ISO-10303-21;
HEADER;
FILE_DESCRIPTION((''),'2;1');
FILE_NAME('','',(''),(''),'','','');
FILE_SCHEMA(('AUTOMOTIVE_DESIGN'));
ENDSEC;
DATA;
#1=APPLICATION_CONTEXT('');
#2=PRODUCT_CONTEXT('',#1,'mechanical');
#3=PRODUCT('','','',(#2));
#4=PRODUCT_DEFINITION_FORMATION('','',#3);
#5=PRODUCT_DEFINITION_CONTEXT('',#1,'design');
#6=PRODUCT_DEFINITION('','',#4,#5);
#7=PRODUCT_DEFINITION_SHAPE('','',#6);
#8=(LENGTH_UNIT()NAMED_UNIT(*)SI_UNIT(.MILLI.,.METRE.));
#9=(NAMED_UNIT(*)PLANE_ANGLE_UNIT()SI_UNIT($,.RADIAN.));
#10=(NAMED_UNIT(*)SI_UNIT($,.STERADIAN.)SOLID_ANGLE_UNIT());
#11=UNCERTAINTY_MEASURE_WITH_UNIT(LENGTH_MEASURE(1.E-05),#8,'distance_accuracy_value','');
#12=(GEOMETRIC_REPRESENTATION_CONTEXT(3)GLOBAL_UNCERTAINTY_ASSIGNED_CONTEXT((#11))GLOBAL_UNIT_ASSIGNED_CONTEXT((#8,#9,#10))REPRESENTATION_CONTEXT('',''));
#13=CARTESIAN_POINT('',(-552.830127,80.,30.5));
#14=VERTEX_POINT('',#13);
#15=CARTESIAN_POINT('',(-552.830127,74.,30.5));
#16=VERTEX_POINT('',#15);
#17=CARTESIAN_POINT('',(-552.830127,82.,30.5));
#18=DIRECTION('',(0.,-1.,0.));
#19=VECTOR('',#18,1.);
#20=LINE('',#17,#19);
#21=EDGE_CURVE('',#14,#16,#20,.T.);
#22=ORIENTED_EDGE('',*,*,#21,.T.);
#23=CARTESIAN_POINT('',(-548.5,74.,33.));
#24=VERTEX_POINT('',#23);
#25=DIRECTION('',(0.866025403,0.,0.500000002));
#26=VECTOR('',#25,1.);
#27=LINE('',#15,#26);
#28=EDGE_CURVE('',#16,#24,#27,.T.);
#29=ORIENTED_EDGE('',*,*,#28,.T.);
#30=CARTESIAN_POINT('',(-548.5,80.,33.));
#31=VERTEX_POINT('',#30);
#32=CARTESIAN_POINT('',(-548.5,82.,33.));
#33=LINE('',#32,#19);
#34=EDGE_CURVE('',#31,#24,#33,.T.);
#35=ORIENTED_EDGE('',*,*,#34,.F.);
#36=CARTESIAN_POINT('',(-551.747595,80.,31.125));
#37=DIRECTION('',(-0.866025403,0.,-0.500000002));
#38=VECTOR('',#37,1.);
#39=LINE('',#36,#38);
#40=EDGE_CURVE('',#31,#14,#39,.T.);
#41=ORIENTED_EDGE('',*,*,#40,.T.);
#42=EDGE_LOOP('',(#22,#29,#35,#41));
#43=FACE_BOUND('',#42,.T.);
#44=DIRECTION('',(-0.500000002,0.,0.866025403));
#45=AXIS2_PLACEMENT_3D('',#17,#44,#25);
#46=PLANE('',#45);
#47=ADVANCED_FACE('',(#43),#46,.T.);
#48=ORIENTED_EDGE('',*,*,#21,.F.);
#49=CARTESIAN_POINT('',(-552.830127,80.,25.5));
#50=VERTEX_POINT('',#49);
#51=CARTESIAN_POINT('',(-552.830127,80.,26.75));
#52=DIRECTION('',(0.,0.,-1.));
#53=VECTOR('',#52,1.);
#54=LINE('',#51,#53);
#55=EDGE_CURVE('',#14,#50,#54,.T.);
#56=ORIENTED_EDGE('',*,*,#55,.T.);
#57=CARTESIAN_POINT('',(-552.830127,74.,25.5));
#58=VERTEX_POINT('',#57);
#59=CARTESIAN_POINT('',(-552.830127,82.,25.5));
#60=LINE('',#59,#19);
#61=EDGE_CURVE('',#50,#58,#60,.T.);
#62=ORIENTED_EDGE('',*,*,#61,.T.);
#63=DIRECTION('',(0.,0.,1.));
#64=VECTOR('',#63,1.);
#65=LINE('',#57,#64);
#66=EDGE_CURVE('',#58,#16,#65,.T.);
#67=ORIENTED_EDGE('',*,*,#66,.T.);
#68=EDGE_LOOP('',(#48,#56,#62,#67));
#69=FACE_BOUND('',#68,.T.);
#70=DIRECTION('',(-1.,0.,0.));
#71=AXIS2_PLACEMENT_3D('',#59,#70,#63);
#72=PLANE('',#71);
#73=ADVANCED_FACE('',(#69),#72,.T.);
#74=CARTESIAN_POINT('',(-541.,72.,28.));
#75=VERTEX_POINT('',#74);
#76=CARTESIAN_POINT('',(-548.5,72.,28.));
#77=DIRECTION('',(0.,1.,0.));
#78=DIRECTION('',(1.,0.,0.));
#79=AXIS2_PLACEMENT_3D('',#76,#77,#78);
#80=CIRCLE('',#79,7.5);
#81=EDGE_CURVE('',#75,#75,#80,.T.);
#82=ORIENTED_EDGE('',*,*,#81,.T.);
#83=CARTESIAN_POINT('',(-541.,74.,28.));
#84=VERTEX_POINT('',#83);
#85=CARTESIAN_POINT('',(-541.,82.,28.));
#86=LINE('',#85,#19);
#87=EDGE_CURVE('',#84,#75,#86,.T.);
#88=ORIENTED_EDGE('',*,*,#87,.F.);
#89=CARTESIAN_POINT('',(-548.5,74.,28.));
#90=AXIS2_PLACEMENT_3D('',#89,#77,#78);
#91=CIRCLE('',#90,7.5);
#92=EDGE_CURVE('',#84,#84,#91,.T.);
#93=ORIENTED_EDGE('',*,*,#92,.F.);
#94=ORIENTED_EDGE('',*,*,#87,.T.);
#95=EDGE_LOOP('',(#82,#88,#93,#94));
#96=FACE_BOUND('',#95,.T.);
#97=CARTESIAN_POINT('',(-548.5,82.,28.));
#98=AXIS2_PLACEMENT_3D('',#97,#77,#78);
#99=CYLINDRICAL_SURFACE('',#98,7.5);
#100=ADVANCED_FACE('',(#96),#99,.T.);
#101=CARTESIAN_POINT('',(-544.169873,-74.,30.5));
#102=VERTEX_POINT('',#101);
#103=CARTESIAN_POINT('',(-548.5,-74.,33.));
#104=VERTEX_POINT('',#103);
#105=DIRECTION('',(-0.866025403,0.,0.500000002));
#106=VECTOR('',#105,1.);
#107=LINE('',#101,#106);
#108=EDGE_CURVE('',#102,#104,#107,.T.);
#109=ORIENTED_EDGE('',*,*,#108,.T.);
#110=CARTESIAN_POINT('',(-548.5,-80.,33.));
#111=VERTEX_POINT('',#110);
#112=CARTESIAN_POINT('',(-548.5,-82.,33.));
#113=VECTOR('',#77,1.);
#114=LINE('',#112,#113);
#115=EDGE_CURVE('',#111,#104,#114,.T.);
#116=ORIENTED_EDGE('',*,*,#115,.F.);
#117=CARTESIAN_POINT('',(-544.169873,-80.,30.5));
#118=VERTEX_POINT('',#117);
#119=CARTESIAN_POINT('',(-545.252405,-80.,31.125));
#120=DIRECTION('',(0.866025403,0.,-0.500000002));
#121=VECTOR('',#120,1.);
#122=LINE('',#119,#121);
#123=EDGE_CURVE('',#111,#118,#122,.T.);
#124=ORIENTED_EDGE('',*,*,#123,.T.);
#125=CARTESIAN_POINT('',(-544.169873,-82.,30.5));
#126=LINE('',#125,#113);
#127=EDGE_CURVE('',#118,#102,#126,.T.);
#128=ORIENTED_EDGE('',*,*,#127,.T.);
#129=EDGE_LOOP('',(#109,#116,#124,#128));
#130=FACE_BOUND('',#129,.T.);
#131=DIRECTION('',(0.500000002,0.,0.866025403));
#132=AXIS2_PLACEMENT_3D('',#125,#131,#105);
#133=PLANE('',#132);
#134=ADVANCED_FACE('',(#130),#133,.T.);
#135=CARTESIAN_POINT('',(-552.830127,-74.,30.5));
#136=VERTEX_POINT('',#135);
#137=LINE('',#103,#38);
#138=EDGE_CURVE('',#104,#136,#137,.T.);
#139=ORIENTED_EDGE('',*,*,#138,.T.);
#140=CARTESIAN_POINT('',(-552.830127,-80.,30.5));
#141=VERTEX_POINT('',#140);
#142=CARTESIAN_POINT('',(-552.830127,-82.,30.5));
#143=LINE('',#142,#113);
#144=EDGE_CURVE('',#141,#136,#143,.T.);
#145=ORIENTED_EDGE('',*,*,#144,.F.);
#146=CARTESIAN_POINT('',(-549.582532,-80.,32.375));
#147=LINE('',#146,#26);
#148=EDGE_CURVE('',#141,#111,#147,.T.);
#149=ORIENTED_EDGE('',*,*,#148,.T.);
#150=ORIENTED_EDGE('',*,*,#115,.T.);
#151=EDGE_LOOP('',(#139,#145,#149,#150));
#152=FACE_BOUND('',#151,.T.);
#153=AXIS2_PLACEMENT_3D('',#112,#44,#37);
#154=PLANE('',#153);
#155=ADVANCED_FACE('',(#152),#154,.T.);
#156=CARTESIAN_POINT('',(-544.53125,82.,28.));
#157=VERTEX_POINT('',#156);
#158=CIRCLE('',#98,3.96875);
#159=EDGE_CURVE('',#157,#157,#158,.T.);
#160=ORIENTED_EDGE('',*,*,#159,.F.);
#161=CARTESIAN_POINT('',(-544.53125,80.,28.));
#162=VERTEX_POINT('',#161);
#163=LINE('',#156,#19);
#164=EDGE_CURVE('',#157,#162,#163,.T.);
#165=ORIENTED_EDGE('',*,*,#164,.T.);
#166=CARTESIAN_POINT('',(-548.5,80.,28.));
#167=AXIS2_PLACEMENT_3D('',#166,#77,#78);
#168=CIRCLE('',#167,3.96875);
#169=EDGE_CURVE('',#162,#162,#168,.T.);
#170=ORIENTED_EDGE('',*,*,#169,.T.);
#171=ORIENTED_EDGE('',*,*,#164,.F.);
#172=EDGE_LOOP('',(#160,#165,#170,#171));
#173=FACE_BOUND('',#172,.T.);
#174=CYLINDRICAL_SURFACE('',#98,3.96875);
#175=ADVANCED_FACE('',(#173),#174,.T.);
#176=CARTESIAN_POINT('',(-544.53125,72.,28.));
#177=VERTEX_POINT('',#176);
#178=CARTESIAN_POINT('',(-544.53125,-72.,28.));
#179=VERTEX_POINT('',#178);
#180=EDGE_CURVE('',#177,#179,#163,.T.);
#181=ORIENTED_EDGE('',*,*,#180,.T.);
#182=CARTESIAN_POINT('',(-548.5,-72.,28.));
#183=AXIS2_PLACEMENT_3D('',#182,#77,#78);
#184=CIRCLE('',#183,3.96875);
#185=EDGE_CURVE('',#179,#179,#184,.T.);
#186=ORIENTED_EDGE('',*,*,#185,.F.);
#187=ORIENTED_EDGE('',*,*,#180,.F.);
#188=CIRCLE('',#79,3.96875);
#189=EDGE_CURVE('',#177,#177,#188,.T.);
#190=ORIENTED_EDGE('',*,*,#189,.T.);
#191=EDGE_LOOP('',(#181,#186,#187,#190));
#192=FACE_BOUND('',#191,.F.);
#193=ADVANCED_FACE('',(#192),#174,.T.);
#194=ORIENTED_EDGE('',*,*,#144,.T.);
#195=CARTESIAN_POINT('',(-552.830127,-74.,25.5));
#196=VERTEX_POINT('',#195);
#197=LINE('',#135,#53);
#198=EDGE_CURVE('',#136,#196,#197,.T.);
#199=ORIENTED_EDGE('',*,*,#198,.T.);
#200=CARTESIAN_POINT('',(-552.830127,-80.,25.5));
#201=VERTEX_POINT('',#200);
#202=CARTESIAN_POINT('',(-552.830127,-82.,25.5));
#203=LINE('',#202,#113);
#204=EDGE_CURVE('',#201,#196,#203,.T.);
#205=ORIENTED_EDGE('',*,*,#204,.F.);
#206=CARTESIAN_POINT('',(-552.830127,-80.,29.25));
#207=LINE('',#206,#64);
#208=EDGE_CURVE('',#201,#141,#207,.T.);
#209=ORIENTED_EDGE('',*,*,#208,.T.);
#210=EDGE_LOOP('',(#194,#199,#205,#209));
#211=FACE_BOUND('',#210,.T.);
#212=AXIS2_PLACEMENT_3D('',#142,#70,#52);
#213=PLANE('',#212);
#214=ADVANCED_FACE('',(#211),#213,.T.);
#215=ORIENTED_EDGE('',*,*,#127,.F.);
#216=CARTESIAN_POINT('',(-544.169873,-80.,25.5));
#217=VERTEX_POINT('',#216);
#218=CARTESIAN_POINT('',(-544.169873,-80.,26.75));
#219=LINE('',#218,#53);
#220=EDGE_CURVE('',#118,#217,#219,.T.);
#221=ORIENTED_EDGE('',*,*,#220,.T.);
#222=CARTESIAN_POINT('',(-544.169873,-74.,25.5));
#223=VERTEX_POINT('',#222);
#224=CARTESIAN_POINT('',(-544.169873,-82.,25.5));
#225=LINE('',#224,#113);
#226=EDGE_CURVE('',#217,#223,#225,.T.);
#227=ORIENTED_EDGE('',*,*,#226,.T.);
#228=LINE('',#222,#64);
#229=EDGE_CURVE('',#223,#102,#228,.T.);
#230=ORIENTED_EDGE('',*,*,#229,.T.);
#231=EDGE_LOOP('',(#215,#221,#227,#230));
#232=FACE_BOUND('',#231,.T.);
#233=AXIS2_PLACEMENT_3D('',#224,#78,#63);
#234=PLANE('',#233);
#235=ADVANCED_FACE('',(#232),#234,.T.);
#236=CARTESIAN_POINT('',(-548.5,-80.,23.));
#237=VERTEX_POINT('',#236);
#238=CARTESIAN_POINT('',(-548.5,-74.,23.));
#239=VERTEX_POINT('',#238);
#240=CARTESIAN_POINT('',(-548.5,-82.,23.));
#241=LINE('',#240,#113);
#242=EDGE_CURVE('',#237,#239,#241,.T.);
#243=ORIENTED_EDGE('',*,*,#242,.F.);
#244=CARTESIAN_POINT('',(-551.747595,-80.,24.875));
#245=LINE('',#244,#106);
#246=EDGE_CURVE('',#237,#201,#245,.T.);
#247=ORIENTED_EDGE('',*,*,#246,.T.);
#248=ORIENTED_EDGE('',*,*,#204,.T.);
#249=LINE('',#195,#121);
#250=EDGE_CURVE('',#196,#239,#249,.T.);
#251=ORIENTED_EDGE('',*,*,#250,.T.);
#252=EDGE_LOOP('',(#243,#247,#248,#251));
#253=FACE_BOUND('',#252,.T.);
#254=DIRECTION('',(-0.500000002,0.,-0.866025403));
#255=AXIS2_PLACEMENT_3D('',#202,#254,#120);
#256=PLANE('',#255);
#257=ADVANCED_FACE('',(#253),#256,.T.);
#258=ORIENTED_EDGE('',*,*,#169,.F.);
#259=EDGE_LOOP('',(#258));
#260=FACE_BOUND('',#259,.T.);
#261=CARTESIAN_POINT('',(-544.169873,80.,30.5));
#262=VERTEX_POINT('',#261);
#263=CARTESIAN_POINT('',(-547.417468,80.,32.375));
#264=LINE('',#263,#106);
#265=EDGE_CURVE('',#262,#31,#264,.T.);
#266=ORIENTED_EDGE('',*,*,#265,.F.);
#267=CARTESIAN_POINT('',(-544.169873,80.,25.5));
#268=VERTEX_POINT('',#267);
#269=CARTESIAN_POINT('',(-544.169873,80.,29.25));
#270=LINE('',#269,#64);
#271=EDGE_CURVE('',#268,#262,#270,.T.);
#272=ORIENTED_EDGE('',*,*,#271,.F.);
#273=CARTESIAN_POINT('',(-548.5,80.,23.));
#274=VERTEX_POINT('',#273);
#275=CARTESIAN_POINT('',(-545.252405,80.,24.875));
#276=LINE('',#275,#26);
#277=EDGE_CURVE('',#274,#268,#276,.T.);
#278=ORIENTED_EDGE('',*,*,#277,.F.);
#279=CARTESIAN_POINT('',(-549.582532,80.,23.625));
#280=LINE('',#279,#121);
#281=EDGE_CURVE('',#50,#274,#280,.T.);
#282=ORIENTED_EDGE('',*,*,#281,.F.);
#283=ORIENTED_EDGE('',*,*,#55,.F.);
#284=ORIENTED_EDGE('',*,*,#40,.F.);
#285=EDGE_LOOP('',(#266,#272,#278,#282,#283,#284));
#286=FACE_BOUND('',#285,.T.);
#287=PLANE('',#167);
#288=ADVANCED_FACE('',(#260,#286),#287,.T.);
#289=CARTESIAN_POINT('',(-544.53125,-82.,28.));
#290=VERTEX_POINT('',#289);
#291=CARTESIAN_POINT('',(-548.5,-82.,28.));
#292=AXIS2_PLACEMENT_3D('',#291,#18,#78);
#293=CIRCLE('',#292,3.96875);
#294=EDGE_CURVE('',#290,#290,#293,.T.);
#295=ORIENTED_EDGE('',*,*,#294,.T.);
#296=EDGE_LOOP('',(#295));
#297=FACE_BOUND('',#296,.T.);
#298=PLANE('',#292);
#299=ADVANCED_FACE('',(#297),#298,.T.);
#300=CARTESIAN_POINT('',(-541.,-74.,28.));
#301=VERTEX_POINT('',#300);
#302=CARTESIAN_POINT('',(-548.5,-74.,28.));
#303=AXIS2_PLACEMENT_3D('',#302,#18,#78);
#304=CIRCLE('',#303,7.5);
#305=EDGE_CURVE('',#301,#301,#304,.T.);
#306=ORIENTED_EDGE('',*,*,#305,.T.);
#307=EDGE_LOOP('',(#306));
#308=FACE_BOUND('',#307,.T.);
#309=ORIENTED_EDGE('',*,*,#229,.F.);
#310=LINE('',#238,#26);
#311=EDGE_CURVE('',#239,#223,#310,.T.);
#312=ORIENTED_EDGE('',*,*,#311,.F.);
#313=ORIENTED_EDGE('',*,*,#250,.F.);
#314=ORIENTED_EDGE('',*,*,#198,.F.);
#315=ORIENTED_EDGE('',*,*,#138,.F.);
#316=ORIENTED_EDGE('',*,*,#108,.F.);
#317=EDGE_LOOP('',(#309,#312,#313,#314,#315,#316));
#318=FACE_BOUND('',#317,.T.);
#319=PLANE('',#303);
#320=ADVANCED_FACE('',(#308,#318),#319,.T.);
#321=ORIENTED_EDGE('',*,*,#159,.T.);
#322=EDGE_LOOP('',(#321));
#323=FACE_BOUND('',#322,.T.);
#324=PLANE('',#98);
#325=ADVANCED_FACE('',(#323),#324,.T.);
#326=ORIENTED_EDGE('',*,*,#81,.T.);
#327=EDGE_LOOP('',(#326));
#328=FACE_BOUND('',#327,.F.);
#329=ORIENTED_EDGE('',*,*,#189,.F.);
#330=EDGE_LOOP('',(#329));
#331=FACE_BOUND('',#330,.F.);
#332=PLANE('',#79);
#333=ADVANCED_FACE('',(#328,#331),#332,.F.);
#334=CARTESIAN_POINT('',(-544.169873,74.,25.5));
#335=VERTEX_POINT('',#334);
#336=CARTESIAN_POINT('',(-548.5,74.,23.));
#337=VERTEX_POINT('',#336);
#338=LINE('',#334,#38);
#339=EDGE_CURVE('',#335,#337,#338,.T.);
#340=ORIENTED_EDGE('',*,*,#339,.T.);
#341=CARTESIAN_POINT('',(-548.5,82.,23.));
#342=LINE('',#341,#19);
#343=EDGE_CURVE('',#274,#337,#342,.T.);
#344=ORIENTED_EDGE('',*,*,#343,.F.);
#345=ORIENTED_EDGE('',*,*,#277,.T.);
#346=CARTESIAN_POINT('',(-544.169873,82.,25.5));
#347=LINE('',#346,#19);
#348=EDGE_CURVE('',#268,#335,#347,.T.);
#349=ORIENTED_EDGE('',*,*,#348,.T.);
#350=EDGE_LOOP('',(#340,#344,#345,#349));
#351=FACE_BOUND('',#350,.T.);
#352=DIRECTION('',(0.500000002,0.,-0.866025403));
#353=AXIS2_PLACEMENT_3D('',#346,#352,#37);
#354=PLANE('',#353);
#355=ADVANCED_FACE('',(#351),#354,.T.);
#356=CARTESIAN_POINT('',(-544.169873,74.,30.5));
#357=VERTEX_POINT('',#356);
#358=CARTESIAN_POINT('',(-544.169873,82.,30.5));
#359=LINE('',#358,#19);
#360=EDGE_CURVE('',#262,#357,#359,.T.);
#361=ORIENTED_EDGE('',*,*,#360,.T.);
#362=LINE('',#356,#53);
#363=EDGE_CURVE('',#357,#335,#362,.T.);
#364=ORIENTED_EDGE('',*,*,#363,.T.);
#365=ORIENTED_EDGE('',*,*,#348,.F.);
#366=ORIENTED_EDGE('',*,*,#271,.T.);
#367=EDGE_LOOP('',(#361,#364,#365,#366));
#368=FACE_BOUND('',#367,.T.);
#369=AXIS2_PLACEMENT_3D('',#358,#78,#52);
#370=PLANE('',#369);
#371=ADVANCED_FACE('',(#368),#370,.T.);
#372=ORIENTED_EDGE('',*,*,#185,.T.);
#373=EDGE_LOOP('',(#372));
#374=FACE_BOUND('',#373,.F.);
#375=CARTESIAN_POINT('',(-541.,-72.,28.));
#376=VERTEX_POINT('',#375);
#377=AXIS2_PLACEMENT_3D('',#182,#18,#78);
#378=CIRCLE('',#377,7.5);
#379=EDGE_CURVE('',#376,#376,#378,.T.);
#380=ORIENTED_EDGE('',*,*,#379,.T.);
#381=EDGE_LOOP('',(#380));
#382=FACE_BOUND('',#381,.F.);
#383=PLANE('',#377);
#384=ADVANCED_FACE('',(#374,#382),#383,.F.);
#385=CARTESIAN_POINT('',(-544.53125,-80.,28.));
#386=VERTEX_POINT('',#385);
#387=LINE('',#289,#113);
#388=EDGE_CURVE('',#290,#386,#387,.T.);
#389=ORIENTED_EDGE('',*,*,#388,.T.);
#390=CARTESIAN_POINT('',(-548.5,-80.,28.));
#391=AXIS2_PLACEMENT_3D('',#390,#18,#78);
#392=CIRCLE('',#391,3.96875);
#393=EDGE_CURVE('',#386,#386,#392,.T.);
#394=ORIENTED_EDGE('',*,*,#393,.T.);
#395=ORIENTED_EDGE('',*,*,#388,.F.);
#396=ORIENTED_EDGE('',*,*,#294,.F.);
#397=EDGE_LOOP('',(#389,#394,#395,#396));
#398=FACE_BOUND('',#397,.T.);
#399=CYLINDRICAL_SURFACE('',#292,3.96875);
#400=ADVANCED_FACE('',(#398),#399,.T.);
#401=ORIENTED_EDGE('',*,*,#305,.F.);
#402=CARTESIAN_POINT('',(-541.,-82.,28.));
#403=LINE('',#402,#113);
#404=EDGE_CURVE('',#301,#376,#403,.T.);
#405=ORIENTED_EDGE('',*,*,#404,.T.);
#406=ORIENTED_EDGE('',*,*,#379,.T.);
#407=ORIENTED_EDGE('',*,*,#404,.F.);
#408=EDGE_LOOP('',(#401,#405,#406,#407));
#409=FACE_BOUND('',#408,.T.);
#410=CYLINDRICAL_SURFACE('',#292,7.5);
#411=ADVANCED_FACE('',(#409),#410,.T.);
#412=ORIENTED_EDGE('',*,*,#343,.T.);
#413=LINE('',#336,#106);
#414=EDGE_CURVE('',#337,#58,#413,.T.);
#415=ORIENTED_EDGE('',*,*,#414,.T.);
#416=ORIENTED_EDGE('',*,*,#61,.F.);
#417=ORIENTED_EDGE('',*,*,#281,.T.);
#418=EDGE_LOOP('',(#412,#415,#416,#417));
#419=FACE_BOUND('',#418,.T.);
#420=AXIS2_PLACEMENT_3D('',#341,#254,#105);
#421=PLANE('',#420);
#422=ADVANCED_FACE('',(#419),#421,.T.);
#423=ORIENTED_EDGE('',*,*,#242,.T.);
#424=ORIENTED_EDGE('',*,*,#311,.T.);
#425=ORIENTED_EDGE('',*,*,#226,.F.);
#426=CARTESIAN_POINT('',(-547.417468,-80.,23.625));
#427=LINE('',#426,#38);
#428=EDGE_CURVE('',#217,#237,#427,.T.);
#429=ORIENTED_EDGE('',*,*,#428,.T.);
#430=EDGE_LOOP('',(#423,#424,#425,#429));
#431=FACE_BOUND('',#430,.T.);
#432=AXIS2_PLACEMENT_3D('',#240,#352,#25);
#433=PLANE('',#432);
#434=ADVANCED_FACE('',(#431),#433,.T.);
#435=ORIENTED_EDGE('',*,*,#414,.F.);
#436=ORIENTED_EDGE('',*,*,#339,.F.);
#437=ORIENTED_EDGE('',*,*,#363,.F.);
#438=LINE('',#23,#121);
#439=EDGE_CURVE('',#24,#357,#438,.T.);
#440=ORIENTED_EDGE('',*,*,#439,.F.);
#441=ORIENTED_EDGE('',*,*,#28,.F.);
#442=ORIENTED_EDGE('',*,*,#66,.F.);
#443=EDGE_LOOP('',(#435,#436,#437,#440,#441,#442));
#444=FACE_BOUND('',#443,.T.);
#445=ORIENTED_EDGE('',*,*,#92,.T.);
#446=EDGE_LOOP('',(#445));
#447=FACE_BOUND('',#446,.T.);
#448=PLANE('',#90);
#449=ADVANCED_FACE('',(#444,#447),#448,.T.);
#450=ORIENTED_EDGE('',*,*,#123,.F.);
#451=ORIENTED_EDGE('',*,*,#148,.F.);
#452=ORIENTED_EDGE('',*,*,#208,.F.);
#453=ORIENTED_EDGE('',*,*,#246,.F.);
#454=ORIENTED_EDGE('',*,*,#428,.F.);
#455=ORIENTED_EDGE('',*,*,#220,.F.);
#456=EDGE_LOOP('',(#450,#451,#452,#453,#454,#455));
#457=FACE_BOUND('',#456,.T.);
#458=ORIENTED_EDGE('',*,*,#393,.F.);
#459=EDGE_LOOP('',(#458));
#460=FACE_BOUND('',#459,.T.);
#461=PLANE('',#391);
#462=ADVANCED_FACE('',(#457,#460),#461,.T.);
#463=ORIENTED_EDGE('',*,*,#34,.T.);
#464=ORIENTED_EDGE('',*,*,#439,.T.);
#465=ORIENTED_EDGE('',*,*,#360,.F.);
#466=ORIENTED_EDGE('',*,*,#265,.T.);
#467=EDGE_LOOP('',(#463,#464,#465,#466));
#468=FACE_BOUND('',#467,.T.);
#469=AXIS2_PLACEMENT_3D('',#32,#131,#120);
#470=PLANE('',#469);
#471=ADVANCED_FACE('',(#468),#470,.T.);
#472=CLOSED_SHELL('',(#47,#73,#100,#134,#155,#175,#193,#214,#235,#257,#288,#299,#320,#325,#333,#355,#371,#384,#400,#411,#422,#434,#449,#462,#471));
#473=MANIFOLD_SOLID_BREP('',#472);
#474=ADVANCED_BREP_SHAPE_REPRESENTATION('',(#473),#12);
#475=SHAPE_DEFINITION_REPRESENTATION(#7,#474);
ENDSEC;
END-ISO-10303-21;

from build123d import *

# Parameters (mm, degrees)
SKETCH013_R     = 3.96875
PAD009_DEPTH    = 164
SKETCH014_R     = 7.5
PAD010_DEPTH    = 10
SKETCH015_R     = 7.5
POCKET003_DEPTH = 8
SKETCH016_R     = 7.5
SKETCH016_R_2   = 3.96875
POCKET004_DEPTH = 2
SKETCH017_R     = 7.5
PAD011_DEPTH    = 10
SKETCH018_R     = 7.5
POCKET005_DEPTH = 8
SKETCH019_R     = 7.5
SKETCH019_R_2   = 3.96875
POCKET006_DEPTH = 2


with BuildPart() as part:
    # Sketch013 → Pad009 (new body)
    with BuildSketch(Plane(origin=(500, 82, 56), x_dir=(1, 0, 0), z_dir=(0, -1, 0))):
        Circle(SKETCH013_R)
    extrude(amount=PAD009_DEPTH)

    # Sketch014 → Pad010 (new body)
    with BuildSketch(Plane(origin=(500, 82, 56), x_dir=(1, 0, 0), z_dir=(0, 1, 0))):
        Circle(SKETCH014_R)
    extrude(amount=-PAD010_DEPTH)

    # Sketch015 → Pocket003 (cut)
    with BuildSketch(Plane(origin=(500, 82, 56), x_dir=(1, 0, 0), z_dir=(0, 1, 0))):
        Circle(SKETCH015_R)
        Polygon((0, 5), (-4.330127, 2.5), (-4.330127, -2.5), (0, -5), (4.330127, -2.5), (4.330127, 2.5), align=None, mode=Mode.SUBTRACT)
    extrude(amount=-POCKET003_DEPTH, mode=Mode.SUBTRACT)

    # Sketch016 → Pocket004 (cut)
    with BuildSketch(Plane(origin=(500, 82, 56), x_dir=(1, 0, 0), z_dir=(0, 1, 0))):
        Circle(SKETCH016_R)
        Circle(SKETCH016_R_2, mode=Mode.SUBTRACT)
    extrude(amount=-POCKET004_DEPTH, mode=Mode.SUBTRACT)

    # Sketch017 → Pad011 (new body)
    with BuildSketch(Plane(origin=(500, -82, 56), x_dir=(1, 0, 0), z_dir=(0, -1, 0))):
        Circle(SKETCH017_R)
    extrude(amount=-PAD011_DEPTH)

    # Sketch018 → Pocket005 (cut)
    with BuildSketch(Plane(origin=(500, -82, 56), x_dir=(1, 0, 0), z_dir=(0, -1, 0))):
        Circle(SKETCH018_R)
        Polygon((0, 5), (-4.330127, 2.5), (-4.330127, -2.5), (0, -5), (4.330127, -2.5), (4.330127, 2.5), align=None, mode=Mode.SUBTRACT)
    extrude(amount=-POCKET005_DEPTH, mode=Mode.SUBTRACT)

    # Sketch019 → Pocket006 (cut)
    with BuildSketch(Plane(origin=(500, -82, 56), x_dir=(1, 0, 0), z_dir=(0, -1, 0))):
        Circle(SKETCH019_R)
        Circle(SKETCH019_R_2, mode=Mode.SUBTRACT)
    extrude(amount=-POCKET006_DEPTH, mode=Mode.SUBTRACT)


with BuildPart() as part_1:
    # Clone017 placement: moved
    add(part.part.moved(Location((-1048.5, 0, -28))))


solid = part_1.part
